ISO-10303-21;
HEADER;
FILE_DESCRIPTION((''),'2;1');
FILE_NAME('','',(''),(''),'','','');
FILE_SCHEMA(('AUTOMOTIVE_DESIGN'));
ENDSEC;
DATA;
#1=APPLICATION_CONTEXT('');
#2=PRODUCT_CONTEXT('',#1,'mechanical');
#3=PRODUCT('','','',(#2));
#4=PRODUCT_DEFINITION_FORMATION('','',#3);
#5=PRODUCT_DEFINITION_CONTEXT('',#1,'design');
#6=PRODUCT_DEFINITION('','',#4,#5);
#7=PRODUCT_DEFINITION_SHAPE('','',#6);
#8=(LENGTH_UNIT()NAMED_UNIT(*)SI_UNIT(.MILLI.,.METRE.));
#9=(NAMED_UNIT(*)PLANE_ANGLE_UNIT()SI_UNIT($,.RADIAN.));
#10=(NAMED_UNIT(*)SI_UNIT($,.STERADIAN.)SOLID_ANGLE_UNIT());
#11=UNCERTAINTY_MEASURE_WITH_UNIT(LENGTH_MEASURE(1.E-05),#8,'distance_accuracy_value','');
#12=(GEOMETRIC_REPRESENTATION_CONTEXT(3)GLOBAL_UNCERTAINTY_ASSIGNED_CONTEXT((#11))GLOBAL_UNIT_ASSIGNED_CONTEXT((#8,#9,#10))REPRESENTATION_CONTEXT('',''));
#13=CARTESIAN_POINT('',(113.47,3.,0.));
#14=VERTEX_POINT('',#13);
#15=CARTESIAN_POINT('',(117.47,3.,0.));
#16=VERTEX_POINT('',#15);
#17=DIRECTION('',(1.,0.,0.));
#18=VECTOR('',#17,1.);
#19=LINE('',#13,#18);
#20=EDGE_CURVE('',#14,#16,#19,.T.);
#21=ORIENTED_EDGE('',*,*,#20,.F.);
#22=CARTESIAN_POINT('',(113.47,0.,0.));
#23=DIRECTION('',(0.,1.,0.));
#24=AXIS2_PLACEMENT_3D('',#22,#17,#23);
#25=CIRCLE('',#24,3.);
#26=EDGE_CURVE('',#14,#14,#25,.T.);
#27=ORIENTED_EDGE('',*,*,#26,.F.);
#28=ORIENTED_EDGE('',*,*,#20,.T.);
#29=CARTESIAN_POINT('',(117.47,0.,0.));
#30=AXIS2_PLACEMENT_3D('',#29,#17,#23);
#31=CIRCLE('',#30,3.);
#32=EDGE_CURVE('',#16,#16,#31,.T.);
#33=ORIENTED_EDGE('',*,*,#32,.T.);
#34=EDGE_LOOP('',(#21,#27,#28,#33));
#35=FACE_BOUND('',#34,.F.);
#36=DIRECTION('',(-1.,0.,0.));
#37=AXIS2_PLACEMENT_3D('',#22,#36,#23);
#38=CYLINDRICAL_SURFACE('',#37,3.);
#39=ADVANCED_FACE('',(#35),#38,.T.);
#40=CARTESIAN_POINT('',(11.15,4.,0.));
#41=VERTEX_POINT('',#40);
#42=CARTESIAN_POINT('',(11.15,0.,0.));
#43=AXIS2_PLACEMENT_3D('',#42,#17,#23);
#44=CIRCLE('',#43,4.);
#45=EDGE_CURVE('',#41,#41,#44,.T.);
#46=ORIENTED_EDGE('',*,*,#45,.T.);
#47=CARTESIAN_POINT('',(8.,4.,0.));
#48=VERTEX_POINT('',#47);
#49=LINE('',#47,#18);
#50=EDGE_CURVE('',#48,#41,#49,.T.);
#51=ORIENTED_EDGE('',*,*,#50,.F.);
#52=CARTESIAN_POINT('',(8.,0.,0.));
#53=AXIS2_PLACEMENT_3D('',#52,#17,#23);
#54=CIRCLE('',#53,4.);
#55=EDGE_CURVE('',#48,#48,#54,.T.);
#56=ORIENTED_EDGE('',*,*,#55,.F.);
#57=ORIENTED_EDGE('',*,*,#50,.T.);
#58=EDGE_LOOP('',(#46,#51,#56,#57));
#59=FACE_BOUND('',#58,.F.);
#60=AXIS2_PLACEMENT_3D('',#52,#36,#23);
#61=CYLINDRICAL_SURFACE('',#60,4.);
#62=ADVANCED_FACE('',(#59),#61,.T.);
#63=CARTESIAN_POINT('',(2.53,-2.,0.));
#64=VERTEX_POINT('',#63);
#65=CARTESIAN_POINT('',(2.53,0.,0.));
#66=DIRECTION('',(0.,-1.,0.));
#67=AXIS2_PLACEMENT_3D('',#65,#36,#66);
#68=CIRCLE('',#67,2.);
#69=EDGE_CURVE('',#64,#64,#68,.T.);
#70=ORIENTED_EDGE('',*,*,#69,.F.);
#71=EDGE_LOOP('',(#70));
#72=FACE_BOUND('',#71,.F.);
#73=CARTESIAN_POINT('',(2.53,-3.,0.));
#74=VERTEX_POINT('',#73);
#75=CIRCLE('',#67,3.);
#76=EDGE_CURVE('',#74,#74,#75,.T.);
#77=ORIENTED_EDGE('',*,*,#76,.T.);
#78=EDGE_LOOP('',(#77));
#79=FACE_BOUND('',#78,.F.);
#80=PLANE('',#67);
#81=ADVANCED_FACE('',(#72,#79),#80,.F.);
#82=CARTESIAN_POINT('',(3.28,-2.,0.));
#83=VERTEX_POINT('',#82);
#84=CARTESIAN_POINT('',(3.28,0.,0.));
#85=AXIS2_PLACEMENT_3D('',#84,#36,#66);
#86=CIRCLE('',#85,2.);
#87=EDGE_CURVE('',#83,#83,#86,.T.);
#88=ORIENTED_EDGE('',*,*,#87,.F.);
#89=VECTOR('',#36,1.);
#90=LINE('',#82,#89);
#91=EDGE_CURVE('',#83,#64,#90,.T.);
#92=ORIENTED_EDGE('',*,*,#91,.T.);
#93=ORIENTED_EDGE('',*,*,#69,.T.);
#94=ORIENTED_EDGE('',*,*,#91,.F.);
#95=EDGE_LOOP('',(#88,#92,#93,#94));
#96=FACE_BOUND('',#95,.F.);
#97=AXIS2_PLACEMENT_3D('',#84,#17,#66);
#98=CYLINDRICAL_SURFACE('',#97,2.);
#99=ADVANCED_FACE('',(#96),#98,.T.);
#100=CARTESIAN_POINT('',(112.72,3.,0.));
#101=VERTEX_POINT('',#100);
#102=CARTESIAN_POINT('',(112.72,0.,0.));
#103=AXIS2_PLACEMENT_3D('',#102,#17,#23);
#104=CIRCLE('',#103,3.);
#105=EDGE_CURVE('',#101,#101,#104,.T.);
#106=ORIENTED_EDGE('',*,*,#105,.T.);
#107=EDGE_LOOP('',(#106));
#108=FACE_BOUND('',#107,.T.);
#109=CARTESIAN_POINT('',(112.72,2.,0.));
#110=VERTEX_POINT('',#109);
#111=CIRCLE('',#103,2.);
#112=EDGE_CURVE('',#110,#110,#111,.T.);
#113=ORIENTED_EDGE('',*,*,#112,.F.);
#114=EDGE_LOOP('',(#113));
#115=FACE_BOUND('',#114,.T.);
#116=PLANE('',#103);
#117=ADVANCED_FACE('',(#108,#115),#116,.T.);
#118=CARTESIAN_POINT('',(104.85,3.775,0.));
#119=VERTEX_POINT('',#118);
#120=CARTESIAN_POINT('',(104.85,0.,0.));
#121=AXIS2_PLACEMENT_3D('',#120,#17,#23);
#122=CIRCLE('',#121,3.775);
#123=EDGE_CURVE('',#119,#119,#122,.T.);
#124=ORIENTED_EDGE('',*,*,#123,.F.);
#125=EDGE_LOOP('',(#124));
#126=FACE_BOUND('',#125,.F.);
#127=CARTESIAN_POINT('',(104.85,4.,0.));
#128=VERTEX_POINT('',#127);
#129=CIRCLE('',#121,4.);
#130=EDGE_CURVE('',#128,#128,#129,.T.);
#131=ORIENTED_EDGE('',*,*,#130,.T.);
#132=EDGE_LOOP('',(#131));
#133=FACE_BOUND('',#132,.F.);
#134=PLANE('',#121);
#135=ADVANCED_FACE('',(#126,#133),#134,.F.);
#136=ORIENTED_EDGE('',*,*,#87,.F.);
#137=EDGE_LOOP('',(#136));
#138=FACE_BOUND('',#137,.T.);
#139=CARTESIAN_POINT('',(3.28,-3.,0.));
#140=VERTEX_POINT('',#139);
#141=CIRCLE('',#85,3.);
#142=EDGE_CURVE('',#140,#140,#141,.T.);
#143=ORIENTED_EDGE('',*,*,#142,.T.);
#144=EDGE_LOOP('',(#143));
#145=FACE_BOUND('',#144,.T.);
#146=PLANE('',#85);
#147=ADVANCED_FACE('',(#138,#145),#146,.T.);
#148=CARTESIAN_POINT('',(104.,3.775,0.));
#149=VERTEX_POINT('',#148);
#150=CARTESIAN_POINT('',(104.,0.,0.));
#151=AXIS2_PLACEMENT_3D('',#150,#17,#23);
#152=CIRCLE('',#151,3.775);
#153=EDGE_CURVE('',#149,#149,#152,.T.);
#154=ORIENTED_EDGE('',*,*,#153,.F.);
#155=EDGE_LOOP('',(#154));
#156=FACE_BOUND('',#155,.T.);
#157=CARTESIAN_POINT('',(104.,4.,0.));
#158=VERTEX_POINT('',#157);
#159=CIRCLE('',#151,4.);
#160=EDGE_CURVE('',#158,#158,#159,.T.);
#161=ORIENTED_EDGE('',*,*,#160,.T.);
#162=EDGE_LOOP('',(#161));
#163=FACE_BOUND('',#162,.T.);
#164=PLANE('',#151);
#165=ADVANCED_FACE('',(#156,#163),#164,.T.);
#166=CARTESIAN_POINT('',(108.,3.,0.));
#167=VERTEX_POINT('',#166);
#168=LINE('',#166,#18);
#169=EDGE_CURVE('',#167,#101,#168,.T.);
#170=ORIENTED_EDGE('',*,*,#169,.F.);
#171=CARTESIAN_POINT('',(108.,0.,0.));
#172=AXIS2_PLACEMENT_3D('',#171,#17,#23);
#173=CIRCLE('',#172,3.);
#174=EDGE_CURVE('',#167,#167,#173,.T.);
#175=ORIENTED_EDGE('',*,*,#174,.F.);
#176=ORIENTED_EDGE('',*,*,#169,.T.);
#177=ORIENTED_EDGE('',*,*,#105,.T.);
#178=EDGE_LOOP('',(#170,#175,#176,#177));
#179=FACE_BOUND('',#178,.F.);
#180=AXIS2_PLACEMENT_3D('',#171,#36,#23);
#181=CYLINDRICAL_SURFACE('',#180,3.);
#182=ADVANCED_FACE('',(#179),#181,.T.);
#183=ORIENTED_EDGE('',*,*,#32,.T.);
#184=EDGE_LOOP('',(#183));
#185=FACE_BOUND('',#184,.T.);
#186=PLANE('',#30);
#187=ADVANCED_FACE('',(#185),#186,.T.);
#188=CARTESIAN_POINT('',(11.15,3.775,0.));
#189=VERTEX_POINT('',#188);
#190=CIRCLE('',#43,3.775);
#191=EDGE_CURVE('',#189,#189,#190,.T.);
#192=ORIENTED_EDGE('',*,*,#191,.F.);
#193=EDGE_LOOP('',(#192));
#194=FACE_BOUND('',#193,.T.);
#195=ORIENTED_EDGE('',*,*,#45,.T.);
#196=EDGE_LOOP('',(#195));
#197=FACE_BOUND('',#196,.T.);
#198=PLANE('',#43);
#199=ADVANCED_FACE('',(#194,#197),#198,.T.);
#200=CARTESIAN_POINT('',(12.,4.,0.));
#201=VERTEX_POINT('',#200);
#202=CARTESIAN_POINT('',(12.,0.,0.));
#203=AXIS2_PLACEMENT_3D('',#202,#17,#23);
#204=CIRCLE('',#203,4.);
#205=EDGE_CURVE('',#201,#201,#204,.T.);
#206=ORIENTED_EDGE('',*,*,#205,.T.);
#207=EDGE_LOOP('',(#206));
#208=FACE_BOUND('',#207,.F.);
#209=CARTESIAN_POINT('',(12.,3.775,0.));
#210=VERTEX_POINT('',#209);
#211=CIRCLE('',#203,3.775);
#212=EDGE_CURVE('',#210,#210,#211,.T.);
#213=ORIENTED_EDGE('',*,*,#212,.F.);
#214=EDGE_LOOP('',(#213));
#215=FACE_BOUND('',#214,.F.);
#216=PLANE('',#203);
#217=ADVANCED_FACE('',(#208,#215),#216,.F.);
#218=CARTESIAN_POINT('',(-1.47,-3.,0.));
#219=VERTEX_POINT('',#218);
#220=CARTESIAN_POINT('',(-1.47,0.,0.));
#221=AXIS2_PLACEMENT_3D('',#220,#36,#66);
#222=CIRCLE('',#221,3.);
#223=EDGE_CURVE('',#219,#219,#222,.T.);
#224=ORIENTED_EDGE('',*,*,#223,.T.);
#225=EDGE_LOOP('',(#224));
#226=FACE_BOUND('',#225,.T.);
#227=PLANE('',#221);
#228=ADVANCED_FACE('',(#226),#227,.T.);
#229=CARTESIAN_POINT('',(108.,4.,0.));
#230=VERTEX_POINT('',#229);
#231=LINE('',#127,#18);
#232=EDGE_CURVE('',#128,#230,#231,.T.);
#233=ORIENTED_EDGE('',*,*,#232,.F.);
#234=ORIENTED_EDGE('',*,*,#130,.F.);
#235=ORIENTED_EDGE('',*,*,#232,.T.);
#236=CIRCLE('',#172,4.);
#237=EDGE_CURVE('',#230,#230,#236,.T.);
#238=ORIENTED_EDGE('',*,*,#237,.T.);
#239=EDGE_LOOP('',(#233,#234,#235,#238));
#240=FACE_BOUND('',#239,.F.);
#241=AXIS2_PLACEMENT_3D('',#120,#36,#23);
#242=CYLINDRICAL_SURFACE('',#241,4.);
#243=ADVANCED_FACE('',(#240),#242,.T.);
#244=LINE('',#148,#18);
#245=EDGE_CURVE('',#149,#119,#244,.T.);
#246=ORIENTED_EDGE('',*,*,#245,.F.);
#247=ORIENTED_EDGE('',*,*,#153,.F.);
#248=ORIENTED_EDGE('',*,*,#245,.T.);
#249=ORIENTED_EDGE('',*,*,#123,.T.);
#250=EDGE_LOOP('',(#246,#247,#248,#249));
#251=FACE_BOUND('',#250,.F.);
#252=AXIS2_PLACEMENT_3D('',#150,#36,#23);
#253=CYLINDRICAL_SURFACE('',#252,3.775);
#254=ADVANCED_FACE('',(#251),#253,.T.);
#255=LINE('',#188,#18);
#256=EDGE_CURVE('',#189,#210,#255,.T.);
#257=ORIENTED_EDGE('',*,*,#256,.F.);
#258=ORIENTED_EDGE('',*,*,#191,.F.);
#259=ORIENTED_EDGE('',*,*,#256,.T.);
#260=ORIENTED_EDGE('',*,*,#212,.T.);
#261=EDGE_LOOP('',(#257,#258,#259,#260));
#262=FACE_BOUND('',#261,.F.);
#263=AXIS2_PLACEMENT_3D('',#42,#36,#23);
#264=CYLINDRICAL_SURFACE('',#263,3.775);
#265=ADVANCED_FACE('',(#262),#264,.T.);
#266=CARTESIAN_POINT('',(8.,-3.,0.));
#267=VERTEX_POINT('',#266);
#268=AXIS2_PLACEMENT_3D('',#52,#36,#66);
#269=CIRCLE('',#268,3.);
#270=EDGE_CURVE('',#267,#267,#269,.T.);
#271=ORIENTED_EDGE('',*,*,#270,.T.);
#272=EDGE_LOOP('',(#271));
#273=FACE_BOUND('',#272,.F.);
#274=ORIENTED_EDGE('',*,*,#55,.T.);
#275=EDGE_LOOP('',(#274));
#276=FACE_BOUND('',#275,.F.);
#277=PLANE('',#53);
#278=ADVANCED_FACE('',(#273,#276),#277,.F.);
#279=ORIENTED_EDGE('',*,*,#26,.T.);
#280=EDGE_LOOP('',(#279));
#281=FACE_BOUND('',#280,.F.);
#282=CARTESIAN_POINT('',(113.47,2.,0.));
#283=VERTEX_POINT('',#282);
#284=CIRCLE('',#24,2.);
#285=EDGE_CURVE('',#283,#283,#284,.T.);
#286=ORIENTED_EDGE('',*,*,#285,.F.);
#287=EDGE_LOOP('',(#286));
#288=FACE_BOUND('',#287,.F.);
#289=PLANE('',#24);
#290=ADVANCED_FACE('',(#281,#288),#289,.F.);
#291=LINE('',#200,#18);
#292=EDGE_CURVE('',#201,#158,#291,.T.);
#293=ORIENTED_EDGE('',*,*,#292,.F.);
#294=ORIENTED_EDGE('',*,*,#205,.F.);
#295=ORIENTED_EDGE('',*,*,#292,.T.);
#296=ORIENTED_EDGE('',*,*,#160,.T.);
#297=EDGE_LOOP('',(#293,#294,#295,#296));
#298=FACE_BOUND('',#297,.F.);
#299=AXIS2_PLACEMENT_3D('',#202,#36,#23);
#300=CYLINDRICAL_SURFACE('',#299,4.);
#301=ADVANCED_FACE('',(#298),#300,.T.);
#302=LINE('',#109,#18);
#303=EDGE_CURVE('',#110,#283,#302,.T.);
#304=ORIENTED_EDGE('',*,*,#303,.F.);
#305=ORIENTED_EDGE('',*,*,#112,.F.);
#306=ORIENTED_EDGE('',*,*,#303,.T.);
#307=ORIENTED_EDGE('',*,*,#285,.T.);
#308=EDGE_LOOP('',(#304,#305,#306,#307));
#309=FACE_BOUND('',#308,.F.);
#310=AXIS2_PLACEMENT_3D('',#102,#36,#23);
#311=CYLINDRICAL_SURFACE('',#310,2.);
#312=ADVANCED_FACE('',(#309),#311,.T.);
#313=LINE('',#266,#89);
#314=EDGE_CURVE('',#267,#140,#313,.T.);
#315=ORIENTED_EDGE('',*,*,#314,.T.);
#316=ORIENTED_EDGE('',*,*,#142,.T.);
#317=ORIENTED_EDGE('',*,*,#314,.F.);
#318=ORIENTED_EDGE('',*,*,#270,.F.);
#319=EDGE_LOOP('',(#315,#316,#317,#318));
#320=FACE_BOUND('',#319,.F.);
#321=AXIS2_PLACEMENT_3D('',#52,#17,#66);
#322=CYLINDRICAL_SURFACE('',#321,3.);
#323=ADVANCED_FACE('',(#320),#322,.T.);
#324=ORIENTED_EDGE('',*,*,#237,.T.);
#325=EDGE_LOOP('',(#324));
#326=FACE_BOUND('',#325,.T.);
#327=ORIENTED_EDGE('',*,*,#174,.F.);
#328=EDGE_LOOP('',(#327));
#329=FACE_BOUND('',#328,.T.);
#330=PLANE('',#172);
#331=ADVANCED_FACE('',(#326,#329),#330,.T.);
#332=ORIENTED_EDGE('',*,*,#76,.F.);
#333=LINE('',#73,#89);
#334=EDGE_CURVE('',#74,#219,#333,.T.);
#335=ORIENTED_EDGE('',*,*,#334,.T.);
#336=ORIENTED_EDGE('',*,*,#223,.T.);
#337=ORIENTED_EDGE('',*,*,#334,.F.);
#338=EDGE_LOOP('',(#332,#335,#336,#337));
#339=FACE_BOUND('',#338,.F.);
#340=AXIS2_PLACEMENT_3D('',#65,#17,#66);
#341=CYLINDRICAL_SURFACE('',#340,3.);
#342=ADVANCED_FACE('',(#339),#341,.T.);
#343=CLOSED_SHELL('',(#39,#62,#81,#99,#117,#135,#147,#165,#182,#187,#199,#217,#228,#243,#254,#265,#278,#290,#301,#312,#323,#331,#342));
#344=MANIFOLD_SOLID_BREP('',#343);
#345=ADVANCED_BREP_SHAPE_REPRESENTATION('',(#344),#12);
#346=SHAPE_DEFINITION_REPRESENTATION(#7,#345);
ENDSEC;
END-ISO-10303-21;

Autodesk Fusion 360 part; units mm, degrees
sketch "Sketch1" plane through (0, 0, 0) normal (1, 0, 0) x (0, 1, 0)
  circle A0 centre (0, 0) radius 3
  dimension "d1" = 6
extrude "Extrude1" add sketch "Sketch1" along normal blind 8
sketch "Sketch2" plane through (8, 0, 0) normal (1, 0, 0) x (0, 1, 0)
  circle A0 centre (0, 0) radius 3
  circle A1 centre (0, 0) radius 4
  dimension "d4" = 8
extrude "Extrude2" add sketch "Sketch2" along normal blind 3.15 contours A0 | A1
sketch "Sketch3" plane through (11.15, 0, 0) normal (1, 0, 0) x (0, 1, 0)
  circle A0 centre (0, 0) radius 4
  circle A1 centre (0, 0) radius 3.775
  dimension "d7" = 7.55
extrude "Extrude3" add sketch "Sketch3" along normal blind 0.85 contours A1
sketch "Sketch4" plane through (12, 0, 0) normal (1, 0, 0) x (0, 1, 0)
  circle A0 centre (0, 0) radius 3.775
  circle A1 centre (0, 0) radius 4
  dimension "d10" = 8
extrude "Extrude4" add sketch "Sketch4" along normal blind 92 contours A0 | A1
sketch "Sketch5" plane through (104, 0, 0) normal (1, 0, 0) x (0, 1, 0)
  circle A0 centre (0, 0) radius 4
  circle A1 centre (0, 0) radius 3.775
  dimension "d13" = 7.55
extrude "Extrude5" add sketch "Sketch5" along normal blind 0.85 contours A1
sketch "Sketch6" plane through (104.85, 0, 0) normal (1, 0, 0) x (0, 1, 0)
  circle A0 centre (0, 0) radius 3.775
  circle A1 centre (0, 0) radius 4
  dimension "d16" = 8
extrude "Extrude6" add sketch "Sketch6" along normal blind 3.15 contours A0 | A1
extrude "Extrude8" cut 1 faces at (0, -1.1591, 0.5829) along direction (1, 0, 0) blind 8
sketch "Sketch8" plane through (8, 0, 0) normal (-1, 0, 0) x (0, -1, 0)
  circle A0 centre (0, 0) radius 4
  circle A1 centre (0, 0) radius 3
  dimension "d24" = 6
extrude "Extrude9" add sketch "Sketch8" along normal blind 4.72 contours A1
sketch "Sketch9" plane through (3.28, 0, 0) normal (-1, 0, 0) x (0, -1, 0)
  circle A0 centre (0, 0) radius 3
  circle A1 centre (0, 0) radius 2
  dimension "d27" = 4
extrude "Extrude10" add sketch "Sketch9" along normal blind 0.75 contours A1
sketch "Sketch10" plane through (2.53, 0, 0) normal (-1, 0, 0) x (0, -1, 0)
  circle A0 centre (0, 0) radius 2
  circle A1 centre (0, 0) radius 3
  dimension "d30" = 6
extrude "Extrude11" add sketch "Sketch10" along normal blind 4 contours A0 | A1
sketch "Sketch11" plane through (108, 0, 0) normal (1, 0, 0) x (0, 1, 0)
  circle A0 centre (0, 0) radius 4
  circle A1 centre (0, 0) radius 3
  dimension "d33" = 6
extrude "Extrude12" add sketch "Sketch11" along normal blind 4.72 contours A1
sketch "Sketch12" plane through (112.72, 0, 0) normal (1, 0, 0) x (0, 1, 0)
  circle A0 centre (0, 0) radius 3
  circle A1 centre (0, 0) radius 2
  dimension "d36" = 4
extrude "Extrude13" add sketch "Sketch12" along normal blind 0.75 contours A1
sketch "Sketch13" plane through (113.47, 0, 0) normal (1, 0, 0) x (0, 1, 0)
  circle A0 centre (0, 0) radius 2
  circle A1 centre (0, 0) radius 3
  dimension "d39" = 6
extrude "Extrude14" add sketch "Sketch13" along normal blind 4 contours A0 | A1
equation "d17 = 100 mm - 96.85 mm"
